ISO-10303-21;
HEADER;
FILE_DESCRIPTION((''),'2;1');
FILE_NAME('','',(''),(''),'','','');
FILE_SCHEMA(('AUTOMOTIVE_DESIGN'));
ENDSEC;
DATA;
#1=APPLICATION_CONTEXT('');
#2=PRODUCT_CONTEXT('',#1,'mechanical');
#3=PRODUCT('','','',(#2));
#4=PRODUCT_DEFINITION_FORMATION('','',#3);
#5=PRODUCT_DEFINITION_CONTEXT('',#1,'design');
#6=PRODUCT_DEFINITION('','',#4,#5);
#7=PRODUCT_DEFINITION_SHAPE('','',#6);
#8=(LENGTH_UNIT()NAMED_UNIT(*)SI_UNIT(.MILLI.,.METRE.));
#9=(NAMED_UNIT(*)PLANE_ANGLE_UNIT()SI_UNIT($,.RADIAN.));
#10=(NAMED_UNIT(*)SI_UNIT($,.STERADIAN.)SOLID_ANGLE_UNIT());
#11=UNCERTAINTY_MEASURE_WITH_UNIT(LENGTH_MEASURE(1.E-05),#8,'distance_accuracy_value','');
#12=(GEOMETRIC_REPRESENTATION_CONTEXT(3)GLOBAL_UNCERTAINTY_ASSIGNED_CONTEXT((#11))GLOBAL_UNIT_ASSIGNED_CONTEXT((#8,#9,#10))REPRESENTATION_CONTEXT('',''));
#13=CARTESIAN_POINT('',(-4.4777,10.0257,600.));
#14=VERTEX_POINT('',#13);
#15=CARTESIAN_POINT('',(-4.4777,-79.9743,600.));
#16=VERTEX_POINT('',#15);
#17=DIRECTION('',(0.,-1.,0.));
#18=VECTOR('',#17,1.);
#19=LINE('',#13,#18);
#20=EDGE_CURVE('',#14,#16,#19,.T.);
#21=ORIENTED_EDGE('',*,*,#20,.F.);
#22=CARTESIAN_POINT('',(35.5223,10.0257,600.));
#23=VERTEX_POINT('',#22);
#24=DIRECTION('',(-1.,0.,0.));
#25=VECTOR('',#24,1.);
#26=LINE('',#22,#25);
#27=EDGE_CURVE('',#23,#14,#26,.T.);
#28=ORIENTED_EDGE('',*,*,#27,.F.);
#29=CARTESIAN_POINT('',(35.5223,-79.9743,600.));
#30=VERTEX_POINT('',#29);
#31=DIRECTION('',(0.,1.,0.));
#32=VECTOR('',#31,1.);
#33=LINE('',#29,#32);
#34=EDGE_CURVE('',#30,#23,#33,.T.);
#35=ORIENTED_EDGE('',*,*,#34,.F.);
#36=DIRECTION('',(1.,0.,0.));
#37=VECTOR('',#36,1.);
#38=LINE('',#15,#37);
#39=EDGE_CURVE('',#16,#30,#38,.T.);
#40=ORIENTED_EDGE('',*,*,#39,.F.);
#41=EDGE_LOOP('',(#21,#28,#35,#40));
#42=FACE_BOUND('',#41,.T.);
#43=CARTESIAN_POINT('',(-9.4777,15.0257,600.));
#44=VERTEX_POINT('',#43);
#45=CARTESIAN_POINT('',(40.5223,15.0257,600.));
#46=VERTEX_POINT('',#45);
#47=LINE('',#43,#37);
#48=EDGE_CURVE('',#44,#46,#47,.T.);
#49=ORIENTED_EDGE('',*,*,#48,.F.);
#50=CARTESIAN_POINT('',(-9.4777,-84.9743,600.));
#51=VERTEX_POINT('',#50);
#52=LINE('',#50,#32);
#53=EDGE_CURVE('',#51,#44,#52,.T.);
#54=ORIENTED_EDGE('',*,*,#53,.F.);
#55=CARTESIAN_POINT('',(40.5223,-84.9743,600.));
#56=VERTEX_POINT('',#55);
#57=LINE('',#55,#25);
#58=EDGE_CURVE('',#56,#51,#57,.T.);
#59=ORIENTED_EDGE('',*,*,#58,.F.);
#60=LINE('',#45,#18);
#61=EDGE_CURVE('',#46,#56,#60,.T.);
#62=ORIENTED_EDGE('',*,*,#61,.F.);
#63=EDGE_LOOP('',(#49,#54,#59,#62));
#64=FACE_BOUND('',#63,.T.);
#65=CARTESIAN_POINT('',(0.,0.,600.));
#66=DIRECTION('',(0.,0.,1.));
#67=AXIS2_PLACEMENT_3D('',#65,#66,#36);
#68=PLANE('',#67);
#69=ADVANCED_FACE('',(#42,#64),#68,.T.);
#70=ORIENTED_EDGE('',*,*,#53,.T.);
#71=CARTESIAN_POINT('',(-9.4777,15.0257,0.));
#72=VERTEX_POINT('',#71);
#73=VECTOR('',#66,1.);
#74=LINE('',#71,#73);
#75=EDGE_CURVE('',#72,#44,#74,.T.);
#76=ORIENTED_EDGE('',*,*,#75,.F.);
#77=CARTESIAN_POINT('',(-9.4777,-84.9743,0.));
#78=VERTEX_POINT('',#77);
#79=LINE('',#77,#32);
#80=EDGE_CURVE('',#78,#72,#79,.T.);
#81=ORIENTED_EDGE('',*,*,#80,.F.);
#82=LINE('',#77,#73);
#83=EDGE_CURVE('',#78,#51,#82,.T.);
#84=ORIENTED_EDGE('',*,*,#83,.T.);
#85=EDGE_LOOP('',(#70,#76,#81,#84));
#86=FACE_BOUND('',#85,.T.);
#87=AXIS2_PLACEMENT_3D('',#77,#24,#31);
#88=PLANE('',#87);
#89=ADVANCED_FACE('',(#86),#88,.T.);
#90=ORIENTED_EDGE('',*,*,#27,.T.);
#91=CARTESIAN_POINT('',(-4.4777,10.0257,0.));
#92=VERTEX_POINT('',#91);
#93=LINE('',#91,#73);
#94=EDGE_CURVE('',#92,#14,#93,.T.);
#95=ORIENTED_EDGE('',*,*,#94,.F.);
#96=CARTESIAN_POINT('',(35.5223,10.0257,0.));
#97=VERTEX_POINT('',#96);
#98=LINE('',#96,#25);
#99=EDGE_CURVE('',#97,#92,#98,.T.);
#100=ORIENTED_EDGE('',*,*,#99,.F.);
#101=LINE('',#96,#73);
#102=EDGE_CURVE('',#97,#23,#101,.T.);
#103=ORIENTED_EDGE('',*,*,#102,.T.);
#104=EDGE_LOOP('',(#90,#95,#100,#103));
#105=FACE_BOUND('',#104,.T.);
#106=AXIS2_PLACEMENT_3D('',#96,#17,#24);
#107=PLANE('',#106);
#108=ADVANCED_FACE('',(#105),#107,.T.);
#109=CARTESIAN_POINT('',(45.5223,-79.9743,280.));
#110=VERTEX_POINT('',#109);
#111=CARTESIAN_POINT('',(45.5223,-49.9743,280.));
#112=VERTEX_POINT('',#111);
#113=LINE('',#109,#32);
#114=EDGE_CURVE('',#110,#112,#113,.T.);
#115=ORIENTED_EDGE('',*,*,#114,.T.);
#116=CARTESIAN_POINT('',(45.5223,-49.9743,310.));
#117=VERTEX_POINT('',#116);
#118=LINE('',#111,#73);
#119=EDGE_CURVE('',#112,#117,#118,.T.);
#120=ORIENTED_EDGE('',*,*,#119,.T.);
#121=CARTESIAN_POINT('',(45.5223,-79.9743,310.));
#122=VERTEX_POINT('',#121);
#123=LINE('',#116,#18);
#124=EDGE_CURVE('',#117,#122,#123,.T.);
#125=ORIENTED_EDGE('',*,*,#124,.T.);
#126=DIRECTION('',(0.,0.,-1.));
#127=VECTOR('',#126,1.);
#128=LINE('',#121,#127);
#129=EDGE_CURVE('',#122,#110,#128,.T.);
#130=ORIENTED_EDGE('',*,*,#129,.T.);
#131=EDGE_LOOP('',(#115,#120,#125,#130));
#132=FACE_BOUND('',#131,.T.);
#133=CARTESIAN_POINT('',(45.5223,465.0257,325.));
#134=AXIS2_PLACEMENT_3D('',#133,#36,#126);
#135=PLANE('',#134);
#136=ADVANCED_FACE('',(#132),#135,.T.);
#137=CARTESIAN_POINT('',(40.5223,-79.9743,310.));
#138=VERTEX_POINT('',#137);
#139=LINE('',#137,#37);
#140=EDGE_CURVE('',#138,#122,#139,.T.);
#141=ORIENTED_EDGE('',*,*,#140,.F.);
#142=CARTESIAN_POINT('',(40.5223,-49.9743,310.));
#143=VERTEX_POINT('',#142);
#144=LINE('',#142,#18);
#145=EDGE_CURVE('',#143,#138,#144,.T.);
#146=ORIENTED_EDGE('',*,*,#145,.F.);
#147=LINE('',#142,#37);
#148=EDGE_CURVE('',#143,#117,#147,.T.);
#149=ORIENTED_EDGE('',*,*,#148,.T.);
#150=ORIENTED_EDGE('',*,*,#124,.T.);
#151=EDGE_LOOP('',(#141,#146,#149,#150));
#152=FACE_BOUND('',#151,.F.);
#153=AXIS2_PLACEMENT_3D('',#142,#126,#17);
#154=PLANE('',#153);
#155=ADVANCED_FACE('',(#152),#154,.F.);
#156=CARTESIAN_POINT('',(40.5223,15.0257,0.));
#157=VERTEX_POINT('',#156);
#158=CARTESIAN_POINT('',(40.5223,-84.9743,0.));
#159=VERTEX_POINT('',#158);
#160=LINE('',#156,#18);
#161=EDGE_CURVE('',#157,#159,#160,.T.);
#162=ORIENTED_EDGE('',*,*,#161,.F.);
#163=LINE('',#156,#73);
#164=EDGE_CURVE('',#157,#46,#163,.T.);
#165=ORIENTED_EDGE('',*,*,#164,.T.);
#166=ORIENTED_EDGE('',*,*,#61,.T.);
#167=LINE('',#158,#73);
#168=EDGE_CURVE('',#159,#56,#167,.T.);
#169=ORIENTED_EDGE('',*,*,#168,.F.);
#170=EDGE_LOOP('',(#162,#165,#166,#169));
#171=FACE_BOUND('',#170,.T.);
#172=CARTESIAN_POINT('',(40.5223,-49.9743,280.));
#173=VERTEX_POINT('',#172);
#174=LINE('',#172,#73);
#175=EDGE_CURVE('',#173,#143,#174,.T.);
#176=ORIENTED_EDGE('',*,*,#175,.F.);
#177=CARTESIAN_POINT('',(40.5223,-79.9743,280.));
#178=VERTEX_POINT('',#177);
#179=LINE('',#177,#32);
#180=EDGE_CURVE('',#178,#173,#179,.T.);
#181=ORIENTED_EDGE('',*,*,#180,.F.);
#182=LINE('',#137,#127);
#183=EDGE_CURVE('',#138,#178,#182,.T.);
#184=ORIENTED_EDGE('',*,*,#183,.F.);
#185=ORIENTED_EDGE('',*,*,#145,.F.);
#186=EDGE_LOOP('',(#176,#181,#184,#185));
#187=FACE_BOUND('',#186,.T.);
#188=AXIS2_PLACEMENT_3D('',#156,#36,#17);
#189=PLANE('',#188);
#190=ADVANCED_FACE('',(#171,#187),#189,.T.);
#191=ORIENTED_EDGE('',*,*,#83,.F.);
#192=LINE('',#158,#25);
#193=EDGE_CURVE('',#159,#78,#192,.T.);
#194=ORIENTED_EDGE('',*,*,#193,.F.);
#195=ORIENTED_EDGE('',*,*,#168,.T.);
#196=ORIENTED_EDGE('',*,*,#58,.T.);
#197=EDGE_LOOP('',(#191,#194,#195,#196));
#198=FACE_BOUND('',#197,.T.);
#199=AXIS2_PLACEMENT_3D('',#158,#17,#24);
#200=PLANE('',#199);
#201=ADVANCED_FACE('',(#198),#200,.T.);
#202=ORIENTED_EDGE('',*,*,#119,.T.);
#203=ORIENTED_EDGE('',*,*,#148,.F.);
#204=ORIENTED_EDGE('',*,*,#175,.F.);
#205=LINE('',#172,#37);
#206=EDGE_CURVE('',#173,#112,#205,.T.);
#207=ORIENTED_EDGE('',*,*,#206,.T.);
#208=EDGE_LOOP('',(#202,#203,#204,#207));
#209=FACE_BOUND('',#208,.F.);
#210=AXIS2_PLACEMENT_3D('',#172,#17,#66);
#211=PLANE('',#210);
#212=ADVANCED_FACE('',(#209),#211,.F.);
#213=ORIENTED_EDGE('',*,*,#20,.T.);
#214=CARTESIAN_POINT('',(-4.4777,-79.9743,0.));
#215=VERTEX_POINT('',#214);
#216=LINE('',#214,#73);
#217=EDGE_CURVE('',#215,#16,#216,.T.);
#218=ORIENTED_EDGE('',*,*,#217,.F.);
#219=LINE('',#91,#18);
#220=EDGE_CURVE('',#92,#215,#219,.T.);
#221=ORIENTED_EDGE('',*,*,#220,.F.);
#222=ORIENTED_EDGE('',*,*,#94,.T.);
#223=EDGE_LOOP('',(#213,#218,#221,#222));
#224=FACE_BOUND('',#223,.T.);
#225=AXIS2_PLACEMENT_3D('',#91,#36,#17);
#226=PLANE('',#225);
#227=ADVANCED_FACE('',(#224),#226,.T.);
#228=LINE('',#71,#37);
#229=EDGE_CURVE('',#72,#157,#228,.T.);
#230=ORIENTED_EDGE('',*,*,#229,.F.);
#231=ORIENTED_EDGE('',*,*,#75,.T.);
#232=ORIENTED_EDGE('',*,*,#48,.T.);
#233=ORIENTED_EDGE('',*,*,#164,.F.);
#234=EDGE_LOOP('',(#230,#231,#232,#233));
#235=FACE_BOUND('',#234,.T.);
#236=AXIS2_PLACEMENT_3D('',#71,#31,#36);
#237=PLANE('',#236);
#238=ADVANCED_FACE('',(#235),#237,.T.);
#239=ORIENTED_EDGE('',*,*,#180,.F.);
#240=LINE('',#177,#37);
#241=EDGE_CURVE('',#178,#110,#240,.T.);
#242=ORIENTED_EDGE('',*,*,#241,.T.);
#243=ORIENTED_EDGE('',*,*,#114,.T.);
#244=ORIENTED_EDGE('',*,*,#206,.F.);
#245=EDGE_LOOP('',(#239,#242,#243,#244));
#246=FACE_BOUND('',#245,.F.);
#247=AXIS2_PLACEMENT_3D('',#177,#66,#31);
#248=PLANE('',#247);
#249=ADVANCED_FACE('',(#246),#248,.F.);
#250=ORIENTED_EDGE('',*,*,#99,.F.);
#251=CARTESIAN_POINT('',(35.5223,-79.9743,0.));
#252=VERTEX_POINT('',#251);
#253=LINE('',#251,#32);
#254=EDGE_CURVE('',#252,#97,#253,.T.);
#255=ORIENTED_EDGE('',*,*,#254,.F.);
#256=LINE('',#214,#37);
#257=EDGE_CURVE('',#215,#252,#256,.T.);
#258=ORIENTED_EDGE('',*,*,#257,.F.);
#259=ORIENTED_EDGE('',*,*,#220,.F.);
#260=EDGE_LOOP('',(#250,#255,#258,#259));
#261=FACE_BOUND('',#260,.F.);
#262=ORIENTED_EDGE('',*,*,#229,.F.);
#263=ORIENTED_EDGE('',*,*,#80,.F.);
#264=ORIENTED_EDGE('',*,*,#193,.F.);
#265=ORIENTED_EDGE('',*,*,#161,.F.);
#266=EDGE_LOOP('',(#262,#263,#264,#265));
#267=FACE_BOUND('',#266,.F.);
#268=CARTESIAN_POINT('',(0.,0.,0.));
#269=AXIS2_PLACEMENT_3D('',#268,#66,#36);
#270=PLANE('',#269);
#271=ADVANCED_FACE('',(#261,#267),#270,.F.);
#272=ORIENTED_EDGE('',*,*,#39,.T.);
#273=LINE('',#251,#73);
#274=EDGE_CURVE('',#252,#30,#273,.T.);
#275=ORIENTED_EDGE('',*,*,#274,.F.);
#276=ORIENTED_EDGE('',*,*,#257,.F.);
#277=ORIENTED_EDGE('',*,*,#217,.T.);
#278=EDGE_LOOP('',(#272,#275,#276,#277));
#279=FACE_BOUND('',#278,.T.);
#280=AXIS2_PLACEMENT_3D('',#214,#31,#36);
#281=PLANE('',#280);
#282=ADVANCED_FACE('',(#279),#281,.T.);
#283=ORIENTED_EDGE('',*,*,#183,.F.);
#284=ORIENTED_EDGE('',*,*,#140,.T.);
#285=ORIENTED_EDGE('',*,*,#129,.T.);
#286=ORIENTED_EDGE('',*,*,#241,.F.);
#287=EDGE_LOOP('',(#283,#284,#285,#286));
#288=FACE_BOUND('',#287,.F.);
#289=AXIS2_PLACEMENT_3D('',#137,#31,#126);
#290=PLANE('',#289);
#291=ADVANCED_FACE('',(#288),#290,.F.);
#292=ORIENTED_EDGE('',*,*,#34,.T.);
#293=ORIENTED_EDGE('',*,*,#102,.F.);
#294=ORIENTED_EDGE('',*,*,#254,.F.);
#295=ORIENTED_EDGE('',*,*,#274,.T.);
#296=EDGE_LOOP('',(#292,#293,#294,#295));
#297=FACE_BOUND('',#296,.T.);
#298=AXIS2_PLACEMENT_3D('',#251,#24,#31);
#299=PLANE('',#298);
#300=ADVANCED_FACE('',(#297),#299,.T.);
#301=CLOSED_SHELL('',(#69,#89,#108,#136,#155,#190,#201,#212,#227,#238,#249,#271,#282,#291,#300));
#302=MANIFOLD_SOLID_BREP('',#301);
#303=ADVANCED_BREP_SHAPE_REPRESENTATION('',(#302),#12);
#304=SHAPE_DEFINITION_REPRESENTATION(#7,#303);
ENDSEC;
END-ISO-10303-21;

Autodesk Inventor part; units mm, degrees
ref_plane "YZ Plane" through (0, 0, 0) normal (1, 0, 0) x (0, 1, 0)
ref_plane "XZ Plane" through (0, 0, 0) normal (0, 1, 0) x (-1, 0, 0)
ref_plane "XY Plane" through (0, 0, 0) normal (0, 0, 1) x (1, 0, 0)
sketch "Sketch1" plane through (0, 0, 0) normal (0, 0, 1) x (1, 0, 0)
  line L0 (-9.4777, 15.0257) -> (40.5223, 15.0257)
  line L1 (40.5223, 15.0257) -> (40.5223, -84.9743)
  line L2 (40.5223, -84.9743) -> (-9.4777, -84.9743)
  line L3 (-9.4777, -84.9743) -> (-9.4777, 15.0257)
  line L4 (35.5223, 10.0257) -> (-4.4777, 10.0257)
  line L5 (-4.4777, 10.0257) -> (-4.4777, -79.9743)
  line L6 (-4.4777, -79.9743) -> (35.5223, -79.9743)
  line L7 (35.5223, -79.9743) -> (35.5223, 10.0257)
  point P0 (0, 0)
  point P1 (0, 0)
  dimension "d0" = 50
  dimension "d1" = 100
  dimension "d2" = 5
  dimension "d3" = 90
  dimension "d4" = 5
  dimension "d5" = 40
extrude "Extrusion1" add sketch "Sketch1" along normal blind 600
sketch "Sketch2" plane through (40.5223, 465.0257, 325) normal (1, 0, 0) x (0, 0, -1)
  line L0 (15, -545) -> (45, -545)
  line L1 (45, -545) -> (45, -515)
  line L2 (45, -515) -> (15, -515)
  line L3 (15, -515) -> (15, -545)
  line L4 (59.7557, 330.4367) -> (-23.1236, 330.4367)
  line L5 (325, -550) -> (-275, -550) projected
  line L6 (325, -550) -> (325, -450) projected
  point P0 (-7.4135, 330.4367)
  dimension "d14" = 30
  dimension "d15" = 30
  dimension "d16" = 5
  dimension "d17" = 280
extrude "Extrusion2" add sketch "Sketch2" along normal blind 5
properties part number "PerfilH34"
